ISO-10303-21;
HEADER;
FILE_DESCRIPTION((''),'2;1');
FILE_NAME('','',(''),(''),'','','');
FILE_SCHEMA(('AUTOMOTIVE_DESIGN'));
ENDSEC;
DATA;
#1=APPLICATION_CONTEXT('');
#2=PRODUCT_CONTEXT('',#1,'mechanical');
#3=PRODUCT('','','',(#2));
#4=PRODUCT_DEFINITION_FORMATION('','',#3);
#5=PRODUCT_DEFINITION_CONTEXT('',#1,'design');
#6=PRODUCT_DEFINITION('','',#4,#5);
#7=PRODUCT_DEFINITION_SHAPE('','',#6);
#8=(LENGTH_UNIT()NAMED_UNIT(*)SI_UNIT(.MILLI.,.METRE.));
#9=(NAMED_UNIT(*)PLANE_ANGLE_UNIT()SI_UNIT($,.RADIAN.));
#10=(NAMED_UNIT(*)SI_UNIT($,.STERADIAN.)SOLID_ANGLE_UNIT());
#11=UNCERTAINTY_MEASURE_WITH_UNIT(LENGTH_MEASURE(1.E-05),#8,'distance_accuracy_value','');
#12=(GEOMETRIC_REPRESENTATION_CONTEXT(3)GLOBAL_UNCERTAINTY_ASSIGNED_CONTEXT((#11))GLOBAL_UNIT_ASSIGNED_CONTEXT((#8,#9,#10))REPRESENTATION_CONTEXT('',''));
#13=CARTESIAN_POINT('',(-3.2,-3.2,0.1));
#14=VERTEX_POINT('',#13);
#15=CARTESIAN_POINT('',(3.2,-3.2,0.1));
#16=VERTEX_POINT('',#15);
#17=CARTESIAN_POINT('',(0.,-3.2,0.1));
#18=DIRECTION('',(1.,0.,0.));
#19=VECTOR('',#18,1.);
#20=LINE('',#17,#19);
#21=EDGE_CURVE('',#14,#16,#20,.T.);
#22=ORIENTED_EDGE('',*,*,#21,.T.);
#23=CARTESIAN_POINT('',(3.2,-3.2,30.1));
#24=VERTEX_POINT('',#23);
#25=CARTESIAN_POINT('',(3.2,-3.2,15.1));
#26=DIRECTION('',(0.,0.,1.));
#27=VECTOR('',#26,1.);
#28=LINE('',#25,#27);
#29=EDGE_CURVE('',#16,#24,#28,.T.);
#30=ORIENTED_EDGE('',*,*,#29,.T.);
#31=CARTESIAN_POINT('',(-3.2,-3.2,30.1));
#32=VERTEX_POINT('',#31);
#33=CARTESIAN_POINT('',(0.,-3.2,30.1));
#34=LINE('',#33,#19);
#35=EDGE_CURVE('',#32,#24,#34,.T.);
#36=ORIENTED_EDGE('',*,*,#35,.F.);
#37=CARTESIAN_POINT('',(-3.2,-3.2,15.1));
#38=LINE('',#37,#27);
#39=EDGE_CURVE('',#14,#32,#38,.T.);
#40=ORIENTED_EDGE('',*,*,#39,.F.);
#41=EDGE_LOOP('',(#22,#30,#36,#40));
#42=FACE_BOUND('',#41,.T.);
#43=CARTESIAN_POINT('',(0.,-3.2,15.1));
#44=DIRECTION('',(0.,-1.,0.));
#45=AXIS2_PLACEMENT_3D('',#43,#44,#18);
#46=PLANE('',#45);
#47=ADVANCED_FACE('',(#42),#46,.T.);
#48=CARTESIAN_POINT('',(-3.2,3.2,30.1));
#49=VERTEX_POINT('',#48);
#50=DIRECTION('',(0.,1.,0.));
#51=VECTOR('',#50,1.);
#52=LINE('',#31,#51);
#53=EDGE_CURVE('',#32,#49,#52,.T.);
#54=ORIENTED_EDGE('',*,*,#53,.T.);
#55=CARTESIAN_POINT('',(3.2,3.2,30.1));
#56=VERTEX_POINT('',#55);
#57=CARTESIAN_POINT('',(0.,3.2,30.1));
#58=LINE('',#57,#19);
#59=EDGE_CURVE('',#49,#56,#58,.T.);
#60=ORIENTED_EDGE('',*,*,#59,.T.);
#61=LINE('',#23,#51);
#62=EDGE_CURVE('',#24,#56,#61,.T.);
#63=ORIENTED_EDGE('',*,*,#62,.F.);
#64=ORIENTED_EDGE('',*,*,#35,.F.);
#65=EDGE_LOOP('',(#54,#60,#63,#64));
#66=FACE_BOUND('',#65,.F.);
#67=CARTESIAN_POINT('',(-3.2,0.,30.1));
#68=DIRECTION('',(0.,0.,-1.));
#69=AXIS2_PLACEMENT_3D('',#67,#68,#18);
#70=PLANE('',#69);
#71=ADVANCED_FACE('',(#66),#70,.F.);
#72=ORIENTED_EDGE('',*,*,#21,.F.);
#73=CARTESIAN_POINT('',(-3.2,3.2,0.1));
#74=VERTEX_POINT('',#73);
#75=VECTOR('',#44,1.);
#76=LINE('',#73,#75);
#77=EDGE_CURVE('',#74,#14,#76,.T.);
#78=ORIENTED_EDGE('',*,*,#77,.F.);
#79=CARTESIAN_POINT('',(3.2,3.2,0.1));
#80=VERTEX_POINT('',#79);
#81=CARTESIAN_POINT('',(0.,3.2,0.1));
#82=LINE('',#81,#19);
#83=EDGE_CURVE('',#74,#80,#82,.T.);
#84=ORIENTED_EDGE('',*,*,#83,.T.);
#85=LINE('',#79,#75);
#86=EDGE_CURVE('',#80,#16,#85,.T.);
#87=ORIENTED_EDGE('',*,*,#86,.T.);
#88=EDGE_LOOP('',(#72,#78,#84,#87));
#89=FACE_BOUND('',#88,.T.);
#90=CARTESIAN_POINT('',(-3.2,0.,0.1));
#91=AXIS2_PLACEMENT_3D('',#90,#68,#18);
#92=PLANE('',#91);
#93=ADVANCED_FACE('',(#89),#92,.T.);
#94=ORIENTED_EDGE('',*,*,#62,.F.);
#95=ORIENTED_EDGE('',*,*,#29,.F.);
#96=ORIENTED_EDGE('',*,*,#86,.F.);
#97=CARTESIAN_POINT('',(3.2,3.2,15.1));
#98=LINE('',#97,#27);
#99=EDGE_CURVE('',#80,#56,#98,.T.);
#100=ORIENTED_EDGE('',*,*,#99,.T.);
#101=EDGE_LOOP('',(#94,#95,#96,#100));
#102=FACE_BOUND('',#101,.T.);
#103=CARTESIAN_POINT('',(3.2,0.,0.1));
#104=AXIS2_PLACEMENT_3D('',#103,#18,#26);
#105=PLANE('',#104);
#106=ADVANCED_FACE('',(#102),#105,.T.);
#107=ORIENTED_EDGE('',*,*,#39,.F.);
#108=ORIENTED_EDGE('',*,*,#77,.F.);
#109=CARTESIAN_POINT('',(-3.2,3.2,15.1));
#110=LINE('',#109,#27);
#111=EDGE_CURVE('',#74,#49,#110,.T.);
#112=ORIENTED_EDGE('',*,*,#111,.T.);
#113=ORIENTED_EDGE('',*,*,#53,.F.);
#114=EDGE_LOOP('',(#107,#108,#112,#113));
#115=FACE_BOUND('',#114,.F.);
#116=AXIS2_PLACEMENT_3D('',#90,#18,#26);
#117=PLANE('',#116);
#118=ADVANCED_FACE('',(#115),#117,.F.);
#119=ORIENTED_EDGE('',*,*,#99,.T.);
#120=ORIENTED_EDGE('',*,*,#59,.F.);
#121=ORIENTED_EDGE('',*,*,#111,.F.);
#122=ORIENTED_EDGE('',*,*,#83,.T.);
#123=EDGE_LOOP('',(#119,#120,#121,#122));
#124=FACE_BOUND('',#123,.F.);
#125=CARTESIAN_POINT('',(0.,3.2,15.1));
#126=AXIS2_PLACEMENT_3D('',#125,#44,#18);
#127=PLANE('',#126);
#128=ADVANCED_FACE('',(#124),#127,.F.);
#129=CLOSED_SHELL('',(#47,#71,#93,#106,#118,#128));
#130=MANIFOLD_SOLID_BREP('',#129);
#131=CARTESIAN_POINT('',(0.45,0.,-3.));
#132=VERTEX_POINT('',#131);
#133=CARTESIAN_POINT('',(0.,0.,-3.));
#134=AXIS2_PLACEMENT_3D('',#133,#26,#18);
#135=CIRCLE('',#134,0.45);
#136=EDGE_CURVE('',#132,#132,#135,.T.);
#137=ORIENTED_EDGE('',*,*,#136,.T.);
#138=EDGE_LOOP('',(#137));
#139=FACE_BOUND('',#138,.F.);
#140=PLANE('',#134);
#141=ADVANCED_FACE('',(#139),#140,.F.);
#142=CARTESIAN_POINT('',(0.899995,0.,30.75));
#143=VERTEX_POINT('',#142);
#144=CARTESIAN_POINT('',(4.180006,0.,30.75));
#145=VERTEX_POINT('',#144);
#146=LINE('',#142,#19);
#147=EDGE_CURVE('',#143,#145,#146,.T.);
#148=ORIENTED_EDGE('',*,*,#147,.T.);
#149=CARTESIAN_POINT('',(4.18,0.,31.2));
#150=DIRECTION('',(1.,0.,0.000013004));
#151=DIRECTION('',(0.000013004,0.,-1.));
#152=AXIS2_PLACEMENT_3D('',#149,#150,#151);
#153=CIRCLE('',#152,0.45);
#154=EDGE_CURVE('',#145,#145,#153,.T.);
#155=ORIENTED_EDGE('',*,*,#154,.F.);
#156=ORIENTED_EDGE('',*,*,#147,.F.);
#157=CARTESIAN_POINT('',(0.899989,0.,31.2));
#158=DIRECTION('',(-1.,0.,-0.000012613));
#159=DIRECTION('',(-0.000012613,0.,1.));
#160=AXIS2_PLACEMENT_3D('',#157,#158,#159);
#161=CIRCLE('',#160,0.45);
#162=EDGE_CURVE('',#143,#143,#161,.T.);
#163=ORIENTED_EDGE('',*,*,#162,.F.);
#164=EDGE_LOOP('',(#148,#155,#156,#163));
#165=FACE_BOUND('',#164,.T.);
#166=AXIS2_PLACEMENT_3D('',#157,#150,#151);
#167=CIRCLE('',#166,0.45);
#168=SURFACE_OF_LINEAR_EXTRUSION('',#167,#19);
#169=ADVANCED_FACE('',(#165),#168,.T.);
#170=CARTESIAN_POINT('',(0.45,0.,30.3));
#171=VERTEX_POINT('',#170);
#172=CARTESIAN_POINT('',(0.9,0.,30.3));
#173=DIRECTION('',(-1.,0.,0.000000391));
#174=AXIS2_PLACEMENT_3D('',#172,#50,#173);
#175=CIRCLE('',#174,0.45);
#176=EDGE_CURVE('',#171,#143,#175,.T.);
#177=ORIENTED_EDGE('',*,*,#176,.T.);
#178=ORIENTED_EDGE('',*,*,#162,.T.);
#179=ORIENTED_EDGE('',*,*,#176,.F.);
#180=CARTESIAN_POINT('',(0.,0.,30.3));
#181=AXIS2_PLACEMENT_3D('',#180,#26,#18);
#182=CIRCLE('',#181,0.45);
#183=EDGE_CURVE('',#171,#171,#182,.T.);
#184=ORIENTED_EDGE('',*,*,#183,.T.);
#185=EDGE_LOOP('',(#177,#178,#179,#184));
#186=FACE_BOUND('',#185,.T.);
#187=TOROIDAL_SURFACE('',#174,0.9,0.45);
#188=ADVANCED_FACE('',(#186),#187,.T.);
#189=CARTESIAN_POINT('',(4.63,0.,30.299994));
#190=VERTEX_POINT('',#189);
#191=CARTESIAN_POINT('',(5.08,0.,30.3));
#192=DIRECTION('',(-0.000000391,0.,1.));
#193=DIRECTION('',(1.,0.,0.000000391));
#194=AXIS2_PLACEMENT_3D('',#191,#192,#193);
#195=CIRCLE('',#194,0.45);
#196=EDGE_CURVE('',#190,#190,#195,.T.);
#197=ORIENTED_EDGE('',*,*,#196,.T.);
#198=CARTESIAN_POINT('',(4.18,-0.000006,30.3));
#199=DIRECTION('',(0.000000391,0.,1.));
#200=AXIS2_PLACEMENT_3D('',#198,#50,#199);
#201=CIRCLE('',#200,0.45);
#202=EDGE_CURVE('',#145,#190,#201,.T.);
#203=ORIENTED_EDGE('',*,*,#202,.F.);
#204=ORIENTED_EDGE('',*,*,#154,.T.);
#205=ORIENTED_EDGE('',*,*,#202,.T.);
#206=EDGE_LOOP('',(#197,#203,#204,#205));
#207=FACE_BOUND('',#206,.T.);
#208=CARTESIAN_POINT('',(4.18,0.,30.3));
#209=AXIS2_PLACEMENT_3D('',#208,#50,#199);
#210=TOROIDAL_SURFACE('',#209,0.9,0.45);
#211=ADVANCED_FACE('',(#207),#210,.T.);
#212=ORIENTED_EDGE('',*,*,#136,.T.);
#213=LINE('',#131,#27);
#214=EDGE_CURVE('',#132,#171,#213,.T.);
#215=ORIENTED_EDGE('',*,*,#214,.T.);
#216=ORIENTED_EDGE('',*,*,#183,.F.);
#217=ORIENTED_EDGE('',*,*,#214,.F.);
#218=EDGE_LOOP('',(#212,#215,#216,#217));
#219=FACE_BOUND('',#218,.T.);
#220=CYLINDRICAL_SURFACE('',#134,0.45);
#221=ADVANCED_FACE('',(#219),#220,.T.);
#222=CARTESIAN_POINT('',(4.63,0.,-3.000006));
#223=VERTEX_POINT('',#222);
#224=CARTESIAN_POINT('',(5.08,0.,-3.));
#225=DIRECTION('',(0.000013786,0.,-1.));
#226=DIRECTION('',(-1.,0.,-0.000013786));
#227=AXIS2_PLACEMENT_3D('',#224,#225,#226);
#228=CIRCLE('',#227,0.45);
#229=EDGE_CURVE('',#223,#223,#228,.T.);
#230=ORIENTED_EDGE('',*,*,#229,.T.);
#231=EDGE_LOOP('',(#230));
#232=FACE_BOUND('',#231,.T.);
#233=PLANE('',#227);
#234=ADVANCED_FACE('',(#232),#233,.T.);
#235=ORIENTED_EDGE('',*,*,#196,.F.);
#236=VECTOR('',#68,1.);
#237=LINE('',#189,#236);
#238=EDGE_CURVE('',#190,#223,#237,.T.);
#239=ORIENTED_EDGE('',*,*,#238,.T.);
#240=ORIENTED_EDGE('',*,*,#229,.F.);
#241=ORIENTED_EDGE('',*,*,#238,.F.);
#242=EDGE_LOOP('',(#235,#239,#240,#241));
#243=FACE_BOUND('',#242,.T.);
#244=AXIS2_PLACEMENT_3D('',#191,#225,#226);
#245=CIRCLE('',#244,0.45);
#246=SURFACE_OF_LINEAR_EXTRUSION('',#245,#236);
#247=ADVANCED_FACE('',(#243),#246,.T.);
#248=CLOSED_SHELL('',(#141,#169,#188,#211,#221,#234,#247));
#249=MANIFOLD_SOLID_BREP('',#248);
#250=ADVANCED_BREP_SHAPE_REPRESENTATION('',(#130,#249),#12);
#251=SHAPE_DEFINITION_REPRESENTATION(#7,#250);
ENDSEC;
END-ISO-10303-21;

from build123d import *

# Parameters (mm, degrees)
SKETCH_R    = 0.45
SKETCH002_W = 6.4
SKETCH002_H = 30
PAD_DEPTH   = 3.2


with BuildPart() as sweep_body:
    # Sweep: sweep along a path in Sketch001
    with BuildLine(Plane.XZ) as sweep_path:
        Line((0, -3), (0, 30.3))
        ThreePointArc((0, 30.3), (0.2636, 30.936392), (0.899989, 31.2))
        Line((0.899989, 31.2), (4.18, 31.2))
        ThreePointArc((4.18, 31.2), (4.816396, 30.936396), (5.08, 30.3))
        Line((5.08, 30.3), (5.08, -3))
    # Sketch → Sweep (sweep)
    with BuildSketch(Plane.XY.offset(-2)):
        Circle(SKETCH_R)
    sweep(path=sweep_path.line)


with BuildPart() as pad:
    # Sketch002 → Pad (new body, symmetric)
    with BuildSketch(Plane.XZ):
        with Locations((0, 15.1)):
            Rectangle(SKETCH002_W, SKETCH002_H)
    extrude(amount=PAD_DEPTH, both=True)


solid = Compound([sweep_body.part, pad.part])
